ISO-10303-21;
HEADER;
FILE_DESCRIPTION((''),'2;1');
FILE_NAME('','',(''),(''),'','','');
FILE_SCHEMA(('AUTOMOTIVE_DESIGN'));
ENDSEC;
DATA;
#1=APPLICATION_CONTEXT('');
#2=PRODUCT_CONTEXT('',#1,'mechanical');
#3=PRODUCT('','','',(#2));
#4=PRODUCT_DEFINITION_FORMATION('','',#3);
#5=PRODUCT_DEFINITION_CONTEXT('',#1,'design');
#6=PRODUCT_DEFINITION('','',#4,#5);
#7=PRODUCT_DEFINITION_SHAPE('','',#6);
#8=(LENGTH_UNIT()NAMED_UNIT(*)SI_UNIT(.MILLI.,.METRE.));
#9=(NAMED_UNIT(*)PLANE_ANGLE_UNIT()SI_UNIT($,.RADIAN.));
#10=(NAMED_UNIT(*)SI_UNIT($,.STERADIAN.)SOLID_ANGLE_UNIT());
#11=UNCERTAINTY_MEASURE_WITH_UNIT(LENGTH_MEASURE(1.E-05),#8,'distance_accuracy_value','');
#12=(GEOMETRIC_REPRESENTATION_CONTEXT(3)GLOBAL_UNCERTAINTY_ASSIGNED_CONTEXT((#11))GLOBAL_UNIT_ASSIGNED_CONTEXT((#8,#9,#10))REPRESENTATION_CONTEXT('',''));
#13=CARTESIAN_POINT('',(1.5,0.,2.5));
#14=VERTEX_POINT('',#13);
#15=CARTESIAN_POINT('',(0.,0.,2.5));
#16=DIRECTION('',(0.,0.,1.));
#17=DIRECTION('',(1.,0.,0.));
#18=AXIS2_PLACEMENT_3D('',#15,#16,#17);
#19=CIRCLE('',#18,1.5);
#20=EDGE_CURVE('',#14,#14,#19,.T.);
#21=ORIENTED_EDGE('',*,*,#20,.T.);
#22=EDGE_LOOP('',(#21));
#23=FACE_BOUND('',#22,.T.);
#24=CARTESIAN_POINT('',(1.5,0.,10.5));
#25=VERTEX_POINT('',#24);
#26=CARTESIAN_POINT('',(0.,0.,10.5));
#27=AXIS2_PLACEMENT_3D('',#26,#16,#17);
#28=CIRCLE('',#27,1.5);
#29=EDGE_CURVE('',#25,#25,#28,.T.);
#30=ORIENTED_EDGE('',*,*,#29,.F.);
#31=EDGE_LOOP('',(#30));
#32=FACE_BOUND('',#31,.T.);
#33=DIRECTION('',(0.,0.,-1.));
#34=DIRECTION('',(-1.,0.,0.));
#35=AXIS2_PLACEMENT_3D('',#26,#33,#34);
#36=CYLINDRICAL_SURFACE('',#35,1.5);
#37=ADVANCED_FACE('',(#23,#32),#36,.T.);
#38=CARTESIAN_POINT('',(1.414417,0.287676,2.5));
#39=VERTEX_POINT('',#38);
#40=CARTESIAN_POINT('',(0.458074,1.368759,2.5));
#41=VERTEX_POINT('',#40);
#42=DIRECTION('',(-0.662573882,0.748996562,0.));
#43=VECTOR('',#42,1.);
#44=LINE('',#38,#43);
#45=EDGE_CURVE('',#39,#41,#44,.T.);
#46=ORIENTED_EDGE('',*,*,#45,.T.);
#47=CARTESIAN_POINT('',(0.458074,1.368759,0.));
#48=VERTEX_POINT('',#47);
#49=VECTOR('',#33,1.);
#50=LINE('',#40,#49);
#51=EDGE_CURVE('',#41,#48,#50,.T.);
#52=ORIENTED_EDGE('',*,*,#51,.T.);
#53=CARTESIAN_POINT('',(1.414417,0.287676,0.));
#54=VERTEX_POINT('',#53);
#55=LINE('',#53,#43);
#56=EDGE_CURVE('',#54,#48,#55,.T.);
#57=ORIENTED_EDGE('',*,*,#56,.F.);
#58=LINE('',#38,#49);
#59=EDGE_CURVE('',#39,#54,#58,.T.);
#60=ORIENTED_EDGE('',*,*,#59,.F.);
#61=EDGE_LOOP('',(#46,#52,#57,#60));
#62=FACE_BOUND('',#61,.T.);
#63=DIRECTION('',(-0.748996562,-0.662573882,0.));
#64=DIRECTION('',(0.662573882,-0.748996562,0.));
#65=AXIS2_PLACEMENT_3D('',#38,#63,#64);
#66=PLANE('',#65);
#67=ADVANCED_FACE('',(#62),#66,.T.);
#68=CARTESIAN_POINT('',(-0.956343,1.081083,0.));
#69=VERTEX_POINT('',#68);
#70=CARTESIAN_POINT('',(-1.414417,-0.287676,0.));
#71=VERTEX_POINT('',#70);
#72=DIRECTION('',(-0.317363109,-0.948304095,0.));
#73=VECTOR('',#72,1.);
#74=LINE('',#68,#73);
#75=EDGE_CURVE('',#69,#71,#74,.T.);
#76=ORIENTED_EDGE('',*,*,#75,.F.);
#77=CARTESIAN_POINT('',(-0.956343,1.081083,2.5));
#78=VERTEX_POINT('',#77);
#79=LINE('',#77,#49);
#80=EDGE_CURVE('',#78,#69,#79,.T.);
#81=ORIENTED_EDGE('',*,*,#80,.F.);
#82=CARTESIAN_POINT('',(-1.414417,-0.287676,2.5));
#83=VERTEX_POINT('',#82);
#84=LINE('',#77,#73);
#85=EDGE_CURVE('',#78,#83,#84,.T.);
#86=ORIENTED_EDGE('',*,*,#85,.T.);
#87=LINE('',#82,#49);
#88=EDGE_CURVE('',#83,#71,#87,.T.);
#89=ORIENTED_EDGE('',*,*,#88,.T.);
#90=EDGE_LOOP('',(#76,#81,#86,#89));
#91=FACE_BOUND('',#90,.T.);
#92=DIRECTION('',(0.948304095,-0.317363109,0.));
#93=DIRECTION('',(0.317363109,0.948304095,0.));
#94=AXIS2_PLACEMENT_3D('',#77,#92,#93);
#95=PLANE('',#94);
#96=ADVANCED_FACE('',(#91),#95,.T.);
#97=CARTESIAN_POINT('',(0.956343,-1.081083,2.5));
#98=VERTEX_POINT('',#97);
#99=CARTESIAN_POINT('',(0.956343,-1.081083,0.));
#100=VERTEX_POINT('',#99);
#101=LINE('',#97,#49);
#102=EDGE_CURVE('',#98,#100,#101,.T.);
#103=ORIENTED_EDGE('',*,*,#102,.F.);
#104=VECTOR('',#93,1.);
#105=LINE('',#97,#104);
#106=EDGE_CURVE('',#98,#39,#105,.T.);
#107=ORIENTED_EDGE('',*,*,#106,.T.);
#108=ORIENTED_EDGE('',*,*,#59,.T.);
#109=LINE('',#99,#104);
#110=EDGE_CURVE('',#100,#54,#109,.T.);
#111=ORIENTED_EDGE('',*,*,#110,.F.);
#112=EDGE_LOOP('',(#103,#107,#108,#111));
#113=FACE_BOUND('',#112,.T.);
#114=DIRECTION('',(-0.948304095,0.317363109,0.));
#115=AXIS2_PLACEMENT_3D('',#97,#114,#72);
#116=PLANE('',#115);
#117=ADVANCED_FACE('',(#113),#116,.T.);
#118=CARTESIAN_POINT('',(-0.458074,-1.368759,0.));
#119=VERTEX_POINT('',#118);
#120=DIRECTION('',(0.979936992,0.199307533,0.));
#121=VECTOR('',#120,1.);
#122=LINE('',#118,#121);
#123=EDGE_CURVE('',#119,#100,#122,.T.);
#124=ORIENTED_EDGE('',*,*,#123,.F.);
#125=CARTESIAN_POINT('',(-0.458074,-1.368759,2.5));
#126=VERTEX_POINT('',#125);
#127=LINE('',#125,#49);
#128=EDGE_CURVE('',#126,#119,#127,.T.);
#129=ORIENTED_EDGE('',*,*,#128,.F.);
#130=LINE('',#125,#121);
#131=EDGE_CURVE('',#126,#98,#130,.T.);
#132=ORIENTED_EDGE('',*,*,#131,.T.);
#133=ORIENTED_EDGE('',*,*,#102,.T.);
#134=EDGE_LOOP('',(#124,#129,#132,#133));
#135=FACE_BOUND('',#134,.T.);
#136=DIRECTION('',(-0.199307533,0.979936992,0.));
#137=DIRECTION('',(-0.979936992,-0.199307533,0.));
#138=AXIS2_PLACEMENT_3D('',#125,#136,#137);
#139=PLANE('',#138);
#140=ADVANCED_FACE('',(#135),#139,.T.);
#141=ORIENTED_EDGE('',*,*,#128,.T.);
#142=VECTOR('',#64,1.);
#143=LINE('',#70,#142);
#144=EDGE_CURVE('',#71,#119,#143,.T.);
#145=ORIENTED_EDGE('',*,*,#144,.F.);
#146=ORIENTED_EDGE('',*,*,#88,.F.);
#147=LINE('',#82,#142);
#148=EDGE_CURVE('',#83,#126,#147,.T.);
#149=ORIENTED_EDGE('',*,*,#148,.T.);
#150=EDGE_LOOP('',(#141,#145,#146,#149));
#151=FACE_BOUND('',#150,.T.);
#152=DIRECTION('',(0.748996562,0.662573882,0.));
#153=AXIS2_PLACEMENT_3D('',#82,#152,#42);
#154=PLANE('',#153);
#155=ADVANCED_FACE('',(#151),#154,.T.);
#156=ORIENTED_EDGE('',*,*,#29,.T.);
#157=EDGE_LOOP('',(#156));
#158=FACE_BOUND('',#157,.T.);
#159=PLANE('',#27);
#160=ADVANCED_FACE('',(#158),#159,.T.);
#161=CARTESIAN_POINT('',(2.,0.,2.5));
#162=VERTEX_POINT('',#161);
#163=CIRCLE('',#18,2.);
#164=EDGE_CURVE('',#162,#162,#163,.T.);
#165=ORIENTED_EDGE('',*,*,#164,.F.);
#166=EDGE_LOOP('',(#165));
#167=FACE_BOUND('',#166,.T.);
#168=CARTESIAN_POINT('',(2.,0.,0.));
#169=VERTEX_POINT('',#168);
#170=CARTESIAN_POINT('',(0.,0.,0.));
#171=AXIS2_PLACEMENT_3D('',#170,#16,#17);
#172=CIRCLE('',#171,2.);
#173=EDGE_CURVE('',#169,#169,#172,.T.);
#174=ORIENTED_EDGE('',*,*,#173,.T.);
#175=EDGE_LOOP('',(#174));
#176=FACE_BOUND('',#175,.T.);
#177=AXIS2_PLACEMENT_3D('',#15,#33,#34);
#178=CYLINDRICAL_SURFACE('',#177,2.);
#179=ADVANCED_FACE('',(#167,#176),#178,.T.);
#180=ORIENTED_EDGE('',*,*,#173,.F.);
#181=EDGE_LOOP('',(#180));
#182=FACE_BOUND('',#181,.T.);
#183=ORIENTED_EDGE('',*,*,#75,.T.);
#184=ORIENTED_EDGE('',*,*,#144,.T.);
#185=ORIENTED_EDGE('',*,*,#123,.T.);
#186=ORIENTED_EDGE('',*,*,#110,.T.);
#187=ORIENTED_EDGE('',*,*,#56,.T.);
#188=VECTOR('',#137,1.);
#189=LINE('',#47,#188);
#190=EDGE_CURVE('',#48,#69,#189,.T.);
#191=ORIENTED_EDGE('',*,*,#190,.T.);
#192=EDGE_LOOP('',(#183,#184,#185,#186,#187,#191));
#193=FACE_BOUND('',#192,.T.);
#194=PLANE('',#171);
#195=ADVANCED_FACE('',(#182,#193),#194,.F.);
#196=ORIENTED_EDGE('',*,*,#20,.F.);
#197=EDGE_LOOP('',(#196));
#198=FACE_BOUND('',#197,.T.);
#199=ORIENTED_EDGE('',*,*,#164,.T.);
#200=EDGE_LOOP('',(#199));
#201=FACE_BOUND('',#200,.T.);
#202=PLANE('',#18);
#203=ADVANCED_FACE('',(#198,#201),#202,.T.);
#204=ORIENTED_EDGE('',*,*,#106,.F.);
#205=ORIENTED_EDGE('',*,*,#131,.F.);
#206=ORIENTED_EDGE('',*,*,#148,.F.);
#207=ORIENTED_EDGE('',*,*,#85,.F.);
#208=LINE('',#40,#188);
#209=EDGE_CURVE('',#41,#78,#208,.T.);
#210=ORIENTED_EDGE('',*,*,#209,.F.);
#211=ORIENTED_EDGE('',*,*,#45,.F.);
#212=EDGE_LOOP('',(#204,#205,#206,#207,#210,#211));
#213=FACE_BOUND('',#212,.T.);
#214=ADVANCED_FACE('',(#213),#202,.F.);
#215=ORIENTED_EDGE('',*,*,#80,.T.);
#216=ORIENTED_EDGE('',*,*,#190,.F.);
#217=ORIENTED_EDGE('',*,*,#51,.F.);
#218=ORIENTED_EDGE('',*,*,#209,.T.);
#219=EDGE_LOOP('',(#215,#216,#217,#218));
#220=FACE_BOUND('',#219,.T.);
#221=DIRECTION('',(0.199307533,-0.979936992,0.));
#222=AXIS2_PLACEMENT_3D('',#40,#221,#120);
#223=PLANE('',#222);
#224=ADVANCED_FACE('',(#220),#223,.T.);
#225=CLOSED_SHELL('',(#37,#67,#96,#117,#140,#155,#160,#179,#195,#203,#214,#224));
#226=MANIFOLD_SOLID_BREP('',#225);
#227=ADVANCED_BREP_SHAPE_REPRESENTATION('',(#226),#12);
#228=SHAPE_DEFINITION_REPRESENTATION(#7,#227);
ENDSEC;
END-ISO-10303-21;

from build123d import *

# Parameters (mm, degrees)
SKETCH_1_R      = 2
EXTRUDE_1_DEPTH = 2.5
SKETCH_2_R      = 1.5
EXTRUDE_2_DEPTH = 8


with BuildPart() as part:
    # 草图1 → 凸台-拉伸1 (new body)
    with BuildSketch(Plane.XY):
        Circle(SKETCH_1_R)
        Polygon((-0.956343023, 1.081083417), (-1.414417215, -0.287675644), (-0.458074192, -1.368759061), (0.956343023, -1.081083417), (1.414417215, 0.287675644), (0.458074192, 1.368759061), align=None, mode=Mode.SUBTRACT)
    extrude(amount=EXTRUDE_1_DEPTH)

    # 草图2 → 凸台-拉伸2 (add)
    with BuildSketch(Plane.XY.offset(2.5)):
        Circle(SKETCH_2_R)
    extrude(amount=EXTRUDE_2_DEPTH)


solid = part.part
